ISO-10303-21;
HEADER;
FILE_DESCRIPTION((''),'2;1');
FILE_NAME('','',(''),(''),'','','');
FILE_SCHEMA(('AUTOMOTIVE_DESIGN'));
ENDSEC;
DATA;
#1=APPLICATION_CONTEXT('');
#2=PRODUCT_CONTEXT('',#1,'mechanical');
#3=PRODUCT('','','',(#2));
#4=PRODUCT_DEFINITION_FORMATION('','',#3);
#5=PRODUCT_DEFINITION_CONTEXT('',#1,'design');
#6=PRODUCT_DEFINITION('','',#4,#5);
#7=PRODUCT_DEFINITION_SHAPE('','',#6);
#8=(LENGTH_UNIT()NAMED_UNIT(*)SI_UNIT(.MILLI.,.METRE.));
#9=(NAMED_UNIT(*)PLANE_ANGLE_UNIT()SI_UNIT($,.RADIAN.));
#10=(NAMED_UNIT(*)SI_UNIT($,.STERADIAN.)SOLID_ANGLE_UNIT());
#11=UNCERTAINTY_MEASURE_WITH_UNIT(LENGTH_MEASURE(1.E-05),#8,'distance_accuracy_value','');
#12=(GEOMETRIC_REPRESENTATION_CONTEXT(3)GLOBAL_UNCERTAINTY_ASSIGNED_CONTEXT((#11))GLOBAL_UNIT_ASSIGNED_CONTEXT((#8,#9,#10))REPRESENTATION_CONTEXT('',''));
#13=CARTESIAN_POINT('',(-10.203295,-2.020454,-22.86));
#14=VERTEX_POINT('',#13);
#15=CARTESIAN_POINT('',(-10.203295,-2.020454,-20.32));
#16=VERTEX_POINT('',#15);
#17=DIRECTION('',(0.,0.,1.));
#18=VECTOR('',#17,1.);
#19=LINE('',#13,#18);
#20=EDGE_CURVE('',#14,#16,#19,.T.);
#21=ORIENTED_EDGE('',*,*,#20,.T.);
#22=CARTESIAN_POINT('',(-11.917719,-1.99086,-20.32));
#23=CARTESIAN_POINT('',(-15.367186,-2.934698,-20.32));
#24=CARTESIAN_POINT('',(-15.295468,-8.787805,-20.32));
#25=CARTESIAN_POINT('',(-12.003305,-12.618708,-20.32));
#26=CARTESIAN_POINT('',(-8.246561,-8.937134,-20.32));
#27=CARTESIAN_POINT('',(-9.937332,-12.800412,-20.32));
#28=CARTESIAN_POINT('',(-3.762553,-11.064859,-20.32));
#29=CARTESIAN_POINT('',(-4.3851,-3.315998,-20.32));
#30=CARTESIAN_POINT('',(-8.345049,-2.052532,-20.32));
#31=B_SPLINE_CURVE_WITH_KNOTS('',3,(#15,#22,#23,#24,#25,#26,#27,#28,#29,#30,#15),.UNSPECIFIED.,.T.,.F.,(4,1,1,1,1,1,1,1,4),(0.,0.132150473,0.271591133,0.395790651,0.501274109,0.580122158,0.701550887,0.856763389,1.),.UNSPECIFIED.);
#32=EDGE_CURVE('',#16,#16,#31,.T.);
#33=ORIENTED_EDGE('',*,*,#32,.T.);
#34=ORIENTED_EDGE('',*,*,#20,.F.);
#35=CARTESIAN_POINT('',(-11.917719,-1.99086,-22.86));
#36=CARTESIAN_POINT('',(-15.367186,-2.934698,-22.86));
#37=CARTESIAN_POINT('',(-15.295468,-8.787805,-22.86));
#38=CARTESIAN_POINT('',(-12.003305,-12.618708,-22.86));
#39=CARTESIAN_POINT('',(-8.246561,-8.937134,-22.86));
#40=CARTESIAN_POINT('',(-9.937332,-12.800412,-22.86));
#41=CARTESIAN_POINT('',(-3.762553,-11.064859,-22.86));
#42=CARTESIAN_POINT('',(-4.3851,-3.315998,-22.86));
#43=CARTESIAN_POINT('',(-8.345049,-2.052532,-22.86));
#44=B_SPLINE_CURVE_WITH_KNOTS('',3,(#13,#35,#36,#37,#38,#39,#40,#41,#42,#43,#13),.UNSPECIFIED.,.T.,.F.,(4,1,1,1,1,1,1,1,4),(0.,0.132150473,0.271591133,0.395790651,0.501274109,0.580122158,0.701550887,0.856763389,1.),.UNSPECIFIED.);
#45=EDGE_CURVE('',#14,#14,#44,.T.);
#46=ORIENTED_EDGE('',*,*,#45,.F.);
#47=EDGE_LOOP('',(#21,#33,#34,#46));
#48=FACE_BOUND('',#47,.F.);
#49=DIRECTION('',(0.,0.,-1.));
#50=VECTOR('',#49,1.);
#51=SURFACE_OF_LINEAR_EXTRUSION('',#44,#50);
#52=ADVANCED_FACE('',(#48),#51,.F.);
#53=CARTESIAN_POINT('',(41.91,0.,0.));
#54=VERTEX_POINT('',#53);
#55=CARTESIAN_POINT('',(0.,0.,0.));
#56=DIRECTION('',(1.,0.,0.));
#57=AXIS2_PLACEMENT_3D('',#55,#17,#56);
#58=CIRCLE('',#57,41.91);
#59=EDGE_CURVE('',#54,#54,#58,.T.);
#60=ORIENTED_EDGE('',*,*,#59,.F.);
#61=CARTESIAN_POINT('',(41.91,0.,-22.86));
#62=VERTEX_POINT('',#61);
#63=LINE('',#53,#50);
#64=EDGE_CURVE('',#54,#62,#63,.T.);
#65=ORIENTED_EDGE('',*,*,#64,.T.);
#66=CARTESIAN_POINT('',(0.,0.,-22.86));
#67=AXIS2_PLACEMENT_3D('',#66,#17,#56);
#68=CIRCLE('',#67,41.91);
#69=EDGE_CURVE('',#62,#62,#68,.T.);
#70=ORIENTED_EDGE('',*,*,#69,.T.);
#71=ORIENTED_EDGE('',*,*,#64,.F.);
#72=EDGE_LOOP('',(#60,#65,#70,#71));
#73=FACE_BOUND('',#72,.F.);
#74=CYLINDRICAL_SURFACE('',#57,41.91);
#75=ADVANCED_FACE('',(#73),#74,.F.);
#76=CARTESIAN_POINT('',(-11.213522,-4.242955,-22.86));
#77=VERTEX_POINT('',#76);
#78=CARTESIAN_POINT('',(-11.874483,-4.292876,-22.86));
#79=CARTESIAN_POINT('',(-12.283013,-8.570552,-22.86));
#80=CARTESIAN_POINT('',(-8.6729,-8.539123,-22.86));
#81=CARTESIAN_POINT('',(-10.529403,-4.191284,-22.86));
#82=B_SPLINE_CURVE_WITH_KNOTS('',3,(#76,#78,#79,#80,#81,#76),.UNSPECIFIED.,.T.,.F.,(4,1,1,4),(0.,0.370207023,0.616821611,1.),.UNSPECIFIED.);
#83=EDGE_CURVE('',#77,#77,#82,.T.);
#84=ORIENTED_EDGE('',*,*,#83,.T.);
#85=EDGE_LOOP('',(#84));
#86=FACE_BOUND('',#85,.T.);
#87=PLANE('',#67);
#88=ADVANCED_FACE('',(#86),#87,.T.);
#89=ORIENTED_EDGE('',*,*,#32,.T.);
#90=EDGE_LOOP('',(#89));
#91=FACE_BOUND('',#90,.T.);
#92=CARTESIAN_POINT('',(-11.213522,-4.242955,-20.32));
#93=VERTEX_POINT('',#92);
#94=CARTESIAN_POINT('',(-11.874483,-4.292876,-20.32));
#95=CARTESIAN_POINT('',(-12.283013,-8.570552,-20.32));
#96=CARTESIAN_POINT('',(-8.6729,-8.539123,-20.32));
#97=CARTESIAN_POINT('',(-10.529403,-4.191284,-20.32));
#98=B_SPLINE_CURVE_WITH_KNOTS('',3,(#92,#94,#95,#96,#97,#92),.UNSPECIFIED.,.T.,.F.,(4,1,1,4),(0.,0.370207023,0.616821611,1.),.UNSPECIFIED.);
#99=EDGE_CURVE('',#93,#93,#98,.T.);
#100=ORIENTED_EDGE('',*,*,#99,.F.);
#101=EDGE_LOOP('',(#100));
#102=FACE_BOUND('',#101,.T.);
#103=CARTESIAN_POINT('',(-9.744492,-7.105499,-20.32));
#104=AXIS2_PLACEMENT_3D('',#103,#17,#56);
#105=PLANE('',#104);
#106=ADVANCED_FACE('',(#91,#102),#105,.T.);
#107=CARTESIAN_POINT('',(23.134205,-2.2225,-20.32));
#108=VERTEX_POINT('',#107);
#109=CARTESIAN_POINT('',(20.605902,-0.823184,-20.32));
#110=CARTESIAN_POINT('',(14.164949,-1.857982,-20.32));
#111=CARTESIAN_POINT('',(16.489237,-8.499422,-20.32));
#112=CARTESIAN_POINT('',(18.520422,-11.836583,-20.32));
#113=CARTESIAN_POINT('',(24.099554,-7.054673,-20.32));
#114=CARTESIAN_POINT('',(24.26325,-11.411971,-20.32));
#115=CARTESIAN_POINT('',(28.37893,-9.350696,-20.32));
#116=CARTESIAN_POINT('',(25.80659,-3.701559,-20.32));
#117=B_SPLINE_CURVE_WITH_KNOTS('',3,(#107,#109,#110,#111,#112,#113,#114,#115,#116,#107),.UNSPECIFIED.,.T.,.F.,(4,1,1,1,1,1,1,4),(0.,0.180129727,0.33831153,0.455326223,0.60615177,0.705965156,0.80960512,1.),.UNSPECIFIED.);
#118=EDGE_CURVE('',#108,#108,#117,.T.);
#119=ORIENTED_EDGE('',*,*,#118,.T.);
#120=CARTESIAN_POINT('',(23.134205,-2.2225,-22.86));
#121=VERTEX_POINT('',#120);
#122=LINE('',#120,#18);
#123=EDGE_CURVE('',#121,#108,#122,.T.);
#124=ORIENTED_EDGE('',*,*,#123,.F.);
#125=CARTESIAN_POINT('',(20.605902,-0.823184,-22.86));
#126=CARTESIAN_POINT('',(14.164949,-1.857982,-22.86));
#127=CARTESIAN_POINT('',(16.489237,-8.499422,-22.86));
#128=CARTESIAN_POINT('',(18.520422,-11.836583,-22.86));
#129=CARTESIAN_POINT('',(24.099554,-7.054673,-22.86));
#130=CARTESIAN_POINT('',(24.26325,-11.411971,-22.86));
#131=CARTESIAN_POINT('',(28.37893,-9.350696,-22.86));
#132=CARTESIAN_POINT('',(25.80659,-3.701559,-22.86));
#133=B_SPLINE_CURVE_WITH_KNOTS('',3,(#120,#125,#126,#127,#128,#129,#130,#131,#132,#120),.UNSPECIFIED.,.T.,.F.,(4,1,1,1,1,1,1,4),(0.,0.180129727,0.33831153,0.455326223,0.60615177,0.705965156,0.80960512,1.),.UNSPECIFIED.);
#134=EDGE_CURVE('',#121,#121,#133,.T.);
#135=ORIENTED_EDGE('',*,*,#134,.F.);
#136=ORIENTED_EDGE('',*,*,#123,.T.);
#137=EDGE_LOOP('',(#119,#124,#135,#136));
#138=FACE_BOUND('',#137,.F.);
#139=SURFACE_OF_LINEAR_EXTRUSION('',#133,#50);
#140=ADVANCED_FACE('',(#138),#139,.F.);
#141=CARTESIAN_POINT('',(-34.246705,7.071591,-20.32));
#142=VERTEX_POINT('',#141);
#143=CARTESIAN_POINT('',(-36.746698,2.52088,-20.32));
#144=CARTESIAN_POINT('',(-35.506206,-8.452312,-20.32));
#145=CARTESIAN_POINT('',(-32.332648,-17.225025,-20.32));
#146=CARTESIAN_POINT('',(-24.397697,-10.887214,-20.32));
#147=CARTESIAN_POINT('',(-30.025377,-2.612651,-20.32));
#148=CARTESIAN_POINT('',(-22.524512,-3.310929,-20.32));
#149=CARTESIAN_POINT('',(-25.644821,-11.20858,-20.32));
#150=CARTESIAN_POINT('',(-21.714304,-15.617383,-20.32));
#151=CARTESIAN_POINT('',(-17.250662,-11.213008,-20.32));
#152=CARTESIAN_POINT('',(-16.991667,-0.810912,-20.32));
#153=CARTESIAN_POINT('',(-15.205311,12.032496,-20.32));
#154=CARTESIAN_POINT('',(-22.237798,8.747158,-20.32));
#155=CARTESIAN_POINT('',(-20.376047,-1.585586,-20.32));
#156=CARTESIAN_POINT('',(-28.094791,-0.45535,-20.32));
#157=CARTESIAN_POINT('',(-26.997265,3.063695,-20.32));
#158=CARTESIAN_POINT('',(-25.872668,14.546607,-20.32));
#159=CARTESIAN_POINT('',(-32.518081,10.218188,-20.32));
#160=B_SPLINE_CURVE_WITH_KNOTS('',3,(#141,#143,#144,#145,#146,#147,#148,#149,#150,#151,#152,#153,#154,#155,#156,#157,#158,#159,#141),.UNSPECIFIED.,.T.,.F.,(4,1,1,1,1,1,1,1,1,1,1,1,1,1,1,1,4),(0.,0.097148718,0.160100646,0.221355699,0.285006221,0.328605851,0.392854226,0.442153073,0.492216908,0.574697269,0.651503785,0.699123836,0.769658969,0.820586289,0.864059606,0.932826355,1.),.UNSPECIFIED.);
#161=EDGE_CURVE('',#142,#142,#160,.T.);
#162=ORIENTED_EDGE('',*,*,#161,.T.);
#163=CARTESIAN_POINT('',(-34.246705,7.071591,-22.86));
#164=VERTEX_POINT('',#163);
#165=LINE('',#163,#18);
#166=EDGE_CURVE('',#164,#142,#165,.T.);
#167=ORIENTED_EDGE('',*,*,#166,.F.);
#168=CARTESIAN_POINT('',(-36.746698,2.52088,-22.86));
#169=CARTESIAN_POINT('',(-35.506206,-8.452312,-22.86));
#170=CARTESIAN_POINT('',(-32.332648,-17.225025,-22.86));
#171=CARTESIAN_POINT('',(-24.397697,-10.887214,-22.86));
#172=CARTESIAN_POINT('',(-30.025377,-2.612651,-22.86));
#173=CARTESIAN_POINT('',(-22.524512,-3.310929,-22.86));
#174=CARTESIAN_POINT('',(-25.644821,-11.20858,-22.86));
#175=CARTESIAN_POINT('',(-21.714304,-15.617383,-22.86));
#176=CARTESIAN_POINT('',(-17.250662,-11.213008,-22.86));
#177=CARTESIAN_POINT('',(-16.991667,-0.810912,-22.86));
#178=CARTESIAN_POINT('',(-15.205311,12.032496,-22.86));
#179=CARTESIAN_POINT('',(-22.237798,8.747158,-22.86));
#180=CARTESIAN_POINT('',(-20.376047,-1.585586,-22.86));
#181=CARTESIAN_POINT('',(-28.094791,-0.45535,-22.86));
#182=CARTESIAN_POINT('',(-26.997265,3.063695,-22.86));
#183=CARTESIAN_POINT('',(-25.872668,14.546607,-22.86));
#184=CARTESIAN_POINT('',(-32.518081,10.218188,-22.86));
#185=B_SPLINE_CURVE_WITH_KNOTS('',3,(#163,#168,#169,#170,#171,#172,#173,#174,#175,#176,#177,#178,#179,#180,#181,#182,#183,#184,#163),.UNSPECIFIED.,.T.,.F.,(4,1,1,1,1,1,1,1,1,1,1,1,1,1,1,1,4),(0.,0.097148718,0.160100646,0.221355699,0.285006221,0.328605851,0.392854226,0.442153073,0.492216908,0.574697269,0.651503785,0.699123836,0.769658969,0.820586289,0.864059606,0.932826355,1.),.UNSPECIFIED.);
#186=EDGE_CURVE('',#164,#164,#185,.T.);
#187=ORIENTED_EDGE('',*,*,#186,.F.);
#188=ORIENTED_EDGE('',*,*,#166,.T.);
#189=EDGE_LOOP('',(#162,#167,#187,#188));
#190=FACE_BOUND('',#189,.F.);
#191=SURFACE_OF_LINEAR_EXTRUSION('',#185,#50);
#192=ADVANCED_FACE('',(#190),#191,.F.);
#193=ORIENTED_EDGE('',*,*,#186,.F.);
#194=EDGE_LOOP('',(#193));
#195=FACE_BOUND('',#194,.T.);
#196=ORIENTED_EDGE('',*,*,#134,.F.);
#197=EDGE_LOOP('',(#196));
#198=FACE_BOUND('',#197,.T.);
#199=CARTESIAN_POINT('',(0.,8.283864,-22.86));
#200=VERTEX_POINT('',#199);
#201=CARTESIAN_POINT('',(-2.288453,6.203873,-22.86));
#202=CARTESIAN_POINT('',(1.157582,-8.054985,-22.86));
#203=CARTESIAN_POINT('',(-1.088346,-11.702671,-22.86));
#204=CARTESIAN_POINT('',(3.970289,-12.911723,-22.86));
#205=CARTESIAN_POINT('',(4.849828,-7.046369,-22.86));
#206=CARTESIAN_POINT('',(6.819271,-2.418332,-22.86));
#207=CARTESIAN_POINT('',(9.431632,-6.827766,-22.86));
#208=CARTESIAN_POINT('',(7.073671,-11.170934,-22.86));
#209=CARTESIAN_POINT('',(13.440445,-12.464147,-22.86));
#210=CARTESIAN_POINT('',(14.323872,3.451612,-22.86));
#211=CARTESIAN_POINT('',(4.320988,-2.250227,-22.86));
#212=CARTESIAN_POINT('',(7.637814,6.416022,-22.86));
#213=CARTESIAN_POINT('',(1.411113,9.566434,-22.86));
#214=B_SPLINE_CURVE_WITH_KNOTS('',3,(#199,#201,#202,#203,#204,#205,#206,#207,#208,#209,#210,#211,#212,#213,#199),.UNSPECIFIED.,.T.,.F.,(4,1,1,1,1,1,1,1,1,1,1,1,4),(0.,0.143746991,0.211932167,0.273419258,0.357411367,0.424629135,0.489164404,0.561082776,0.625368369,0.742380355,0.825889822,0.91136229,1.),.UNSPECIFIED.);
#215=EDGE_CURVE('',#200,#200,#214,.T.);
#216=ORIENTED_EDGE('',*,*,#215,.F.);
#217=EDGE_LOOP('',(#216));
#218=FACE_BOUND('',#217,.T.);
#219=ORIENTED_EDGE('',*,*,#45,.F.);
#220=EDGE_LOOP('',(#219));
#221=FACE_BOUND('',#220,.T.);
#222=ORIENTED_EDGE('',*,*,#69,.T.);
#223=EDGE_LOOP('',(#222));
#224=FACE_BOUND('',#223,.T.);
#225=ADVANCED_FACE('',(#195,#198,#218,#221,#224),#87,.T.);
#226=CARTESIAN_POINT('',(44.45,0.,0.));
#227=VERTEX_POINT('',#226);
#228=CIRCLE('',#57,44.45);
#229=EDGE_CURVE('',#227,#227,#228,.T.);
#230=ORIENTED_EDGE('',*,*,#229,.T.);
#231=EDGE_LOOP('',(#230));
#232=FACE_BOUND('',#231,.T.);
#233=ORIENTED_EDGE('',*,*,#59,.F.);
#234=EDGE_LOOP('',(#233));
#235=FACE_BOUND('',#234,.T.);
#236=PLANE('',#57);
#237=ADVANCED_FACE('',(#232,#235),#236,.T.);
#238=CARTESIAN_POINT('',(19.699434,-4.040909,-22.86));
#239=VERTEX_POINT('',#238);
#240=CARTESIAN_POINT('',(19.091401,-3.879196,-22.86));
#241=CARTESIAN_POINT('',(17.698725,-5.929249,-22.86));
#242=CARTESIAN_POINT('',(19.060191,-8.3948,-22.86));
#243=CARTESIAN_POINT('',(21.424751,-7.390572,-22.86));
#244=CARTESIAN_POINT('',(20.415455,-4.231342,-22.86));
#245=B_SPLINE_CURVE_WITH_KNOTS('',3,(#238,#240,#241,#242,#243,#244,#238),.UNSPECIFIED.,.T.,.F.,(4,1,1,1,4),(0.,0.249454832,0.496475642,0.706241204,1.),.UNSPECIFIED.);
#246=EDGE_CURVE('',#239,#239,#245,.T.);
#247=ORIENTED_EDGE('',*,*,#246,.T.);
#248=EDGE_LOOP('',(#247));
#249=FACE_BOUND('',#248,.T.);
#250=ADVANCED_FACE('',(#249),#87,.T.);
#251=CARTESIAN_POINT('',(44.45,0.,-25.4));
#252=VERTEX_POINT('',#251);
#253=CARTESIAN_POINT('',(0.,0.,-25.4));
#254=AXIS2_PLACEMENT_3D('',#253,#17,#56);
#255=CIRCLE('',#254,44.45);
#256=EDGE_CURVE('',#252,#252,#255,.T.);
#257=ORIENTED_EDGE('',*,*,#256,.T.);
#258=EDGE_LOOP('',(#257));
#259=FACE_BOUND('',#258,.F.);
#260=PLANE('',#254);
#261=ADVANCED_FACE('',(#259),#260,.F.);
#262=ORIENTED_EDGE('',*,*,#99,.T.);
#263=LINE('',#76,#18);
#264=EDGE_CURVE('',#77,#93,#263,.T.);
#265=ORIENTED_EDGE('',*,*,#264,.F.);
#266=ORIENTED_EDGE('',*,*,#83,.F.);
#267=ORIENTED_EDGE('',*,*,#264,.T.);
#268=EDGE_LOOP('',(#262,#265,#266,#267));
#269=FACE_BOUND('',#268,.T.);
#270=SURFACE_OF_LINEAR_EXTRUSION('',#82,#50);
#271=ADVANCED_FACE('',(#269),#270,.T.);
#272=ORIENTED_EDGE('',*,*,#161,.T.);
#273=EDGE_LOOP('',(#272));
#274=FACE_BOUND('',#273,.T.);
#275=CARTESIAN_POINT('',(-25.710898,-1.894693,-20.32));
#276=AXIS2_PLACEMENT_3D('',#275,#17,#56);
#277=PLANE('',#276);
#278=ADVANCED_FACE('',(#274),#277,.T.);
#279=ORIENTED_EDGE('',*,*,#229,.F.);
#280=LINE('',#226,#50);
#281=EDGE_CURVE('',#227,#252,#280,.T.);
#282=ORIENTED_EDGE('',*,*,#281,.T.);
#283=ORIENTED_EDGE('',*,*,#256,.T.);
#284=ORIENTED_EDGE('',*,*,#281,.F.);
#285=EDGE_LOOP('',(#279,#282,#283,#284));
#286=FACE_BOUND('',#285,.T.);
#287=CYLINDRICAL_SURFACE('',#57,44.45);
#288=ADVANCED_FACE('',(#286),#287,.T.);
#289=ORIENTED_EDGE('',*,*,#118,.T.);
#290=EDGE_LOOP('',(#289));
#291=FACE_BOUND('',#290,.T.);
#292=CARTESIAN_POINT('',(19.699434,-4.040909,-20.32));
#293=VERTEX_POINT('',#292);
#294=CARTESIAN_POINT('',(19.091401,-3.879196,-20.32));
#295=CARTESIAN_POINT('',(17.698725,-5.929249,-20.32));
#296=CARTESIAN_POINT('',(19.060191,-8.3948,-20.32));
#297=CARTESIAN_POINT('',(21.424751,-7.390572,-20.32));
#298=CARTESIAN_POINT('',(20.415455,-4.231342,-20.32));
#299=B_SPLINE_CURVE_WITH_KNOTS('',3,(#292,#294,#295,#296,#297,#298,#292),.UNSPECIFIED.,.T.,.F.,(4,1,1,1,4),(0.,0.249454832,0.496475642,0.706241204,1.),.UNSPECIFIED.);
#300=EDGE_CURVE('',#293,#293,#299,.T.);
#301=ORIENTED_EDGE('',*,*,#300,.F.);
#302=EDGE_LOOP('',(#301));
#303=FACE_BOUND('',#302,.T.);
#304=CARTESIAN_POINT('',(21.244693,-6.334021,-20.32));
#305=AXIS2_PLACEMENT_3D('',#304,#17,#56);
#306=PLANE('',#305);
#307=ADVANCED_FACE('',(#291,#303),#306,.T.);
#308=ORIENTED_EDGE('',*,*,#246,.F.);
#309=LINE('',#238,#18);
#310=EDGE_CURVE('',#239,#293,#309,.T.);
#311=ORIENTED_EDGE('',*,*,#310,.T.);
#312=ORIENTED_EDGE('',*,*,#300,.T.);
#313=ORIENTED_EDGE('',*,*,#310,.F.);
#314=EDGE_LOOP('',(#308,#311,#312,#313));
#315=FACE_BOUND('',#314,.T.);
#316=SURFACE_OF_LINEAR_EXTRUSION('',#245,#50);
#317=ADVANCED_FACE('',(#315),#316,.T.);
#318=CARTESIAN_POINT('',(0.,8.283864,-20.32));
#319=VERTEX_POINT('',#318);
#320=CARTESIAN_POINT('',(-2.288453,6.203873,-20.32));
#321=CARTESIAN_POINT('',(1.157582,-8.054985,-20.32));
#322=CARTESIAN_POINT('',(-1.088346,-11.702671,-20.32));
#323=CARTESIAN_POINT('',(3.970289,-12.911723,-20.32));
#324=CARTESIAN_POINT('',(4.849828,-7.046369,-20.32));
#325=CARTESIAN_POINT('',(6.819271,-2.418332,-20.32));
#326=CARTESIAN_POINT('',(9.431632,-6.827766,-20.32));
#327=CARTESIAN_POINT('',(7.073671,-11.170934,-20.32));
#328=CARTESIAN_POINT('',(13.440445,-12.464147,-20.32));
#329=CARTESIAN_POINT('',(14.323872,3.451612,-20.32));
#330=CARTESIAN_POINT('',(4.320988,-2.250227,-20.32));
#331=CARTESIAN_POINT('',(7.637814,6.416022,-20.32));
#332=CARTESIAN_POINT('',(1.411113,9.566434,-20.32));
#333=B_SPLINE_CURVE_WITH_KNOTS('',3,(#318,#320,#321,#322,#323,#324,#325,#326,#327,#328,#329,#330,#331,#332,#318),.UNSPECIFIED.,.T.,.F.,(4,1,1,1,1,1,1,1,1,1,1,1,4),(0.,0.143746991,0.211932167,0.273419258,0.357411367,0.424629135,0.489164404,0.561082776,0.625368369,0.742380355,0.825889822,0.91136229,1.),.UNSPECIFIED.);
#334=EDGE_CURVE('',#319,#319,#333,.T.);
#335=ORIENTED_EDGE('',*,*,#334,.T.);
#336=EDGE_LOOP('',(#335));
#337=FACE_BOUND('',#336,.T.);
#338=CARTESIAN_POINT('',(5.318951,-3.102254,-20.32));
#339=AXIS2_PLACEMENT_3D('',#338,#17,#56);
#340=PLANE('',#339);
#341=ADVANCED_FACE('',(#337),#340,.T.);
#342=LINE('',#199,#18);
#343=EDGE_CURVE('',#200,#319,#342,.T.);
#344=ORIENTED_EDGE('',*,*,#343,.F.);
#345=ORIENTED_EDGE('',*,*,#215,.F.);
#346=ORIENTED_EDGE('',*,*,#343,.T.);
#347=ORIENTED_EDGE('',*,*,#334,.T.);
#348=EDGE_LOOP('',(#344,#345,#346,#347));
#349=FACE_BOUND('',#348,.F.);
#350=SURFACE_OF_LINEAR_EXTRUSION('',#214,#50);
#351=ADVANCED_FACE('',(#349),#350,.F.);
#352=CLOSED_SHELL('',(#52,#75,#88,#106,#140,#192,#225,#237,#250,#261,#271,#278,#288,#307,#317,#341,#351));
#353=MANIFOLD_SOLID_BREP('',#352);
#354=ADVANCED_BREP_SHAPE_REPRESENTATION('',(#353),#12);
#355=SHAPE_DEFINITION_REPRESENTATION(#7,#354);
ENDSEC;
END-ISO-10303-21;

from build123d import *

# Parameters (mm, degrees)
F0_R     = 44.45
F1_DEPTH = 25.4
F2_T     = -2.54
F4_DEPTH = 2.54


with BuildPart() as f1:
    # F0 (on Top) → F1 (new body)
    with BuildSketch(Plane.XY):
        Circle(F0_R)
    extrude(amount=-F1_DEPTH)

    # F2
    f2_openings = [f1.faces().sort_by_distance(p)[0] for p in [
        (0, 0, 0),
    ]]
    offset(amount=F2_T, openings=f2_openings)

    # F3 (on face) → F4 (join)
    with BuildSketch(Plane.XY.offset(-22.86)):
        with BuildLine():
            add(Edge.make_bspline(
                [(-34.2467054725, 7.0715909824), (-36.7466979125, 2.5208801085), (-35.5062058755, -8.4523124017), (-32.3326478729, -17.225025316), (-24.3976970475, -10.8872143145), (-30.0253767895, -2.6126511838), (-22.5245116323, -3.310928712), (-25.6448214909, -11.2085803692), (-21.7143037733, -15.6173833965), (-17.2506619578, -11.2130081991), (-16.9916671822, -0.8109118127), (-15.2053107938, 12.0324956866), (-22.237798004, 8.7471580061), (-20.3760474746, -1.5855855024), (-28.094791199, -0.4553499539), (-26.9972647665, 3.0636949374), (-25.8726684669, 14.5466070491), (-32.5180814702, 10.2181877153), (-34.2467054725, 7.0715909824)],
                knots=[0, 0, 0, 0, 0.097148718, 0.1601006462, 0.221355699, 0.2850062209, 0.3286058509, 0.3928542258, 0.4421530725, 0.4922169077, 0.5746972685, 0.6515037846, 0.6991238356, 0.7696589688, 0.8205862886, 0.8640596057, 0.9328263546, 1, 1, 1, 1], degree=3))
        make_face()
        with BuildLine():
            add(Edge.make_bspline(
                [(-10.2032953873, -2.0204544999), (-11.917718799, -1.9908597019), (-15.3671861237, -2.9346980561), (-15.2954679706, -8.7878052696), (-12.003304615, -12.6187077497), (-8.2465608463, -8.9371343775), (-9.9373322435, -12.8004121046), (-3.7625525613, -11.0648585974), (-4.3850998349, -3.3159976142), (-8.345048542, -2.0525320132), (-10.2032953873, -2.0204544999)],
                knots=[0, 0, 0, 0, 0.1321504728, 0.2715911334, 0.3957906506, 0.5012741091, 0.580122158, 0.7015508871, 0.856763389, 1, 1, 1, 1], degree=3))
        make_face()
        with BuildLine():
            add(Edge.make_bspline(
                [(-11.2135224044, -4.2429547757), (-11.8744831481, -4.2928762708), (-12.2830132201, -8.5705519899), (-8.6729001911, -8.5391226921), (-10.5294028244, -4.1912841241), (-11.2135224044, -4.2429547757)],
                knots=[0, 0, 0, 0, 0.3702070227, 0.6168216111, 1, 1, 1, 1], degree=3))
        make_face(mode=Mode.SUBTRACT)
        with BuildLine():
            add(Edge.make_bspline(
                [(0, 8.2838637754), (-2.2884528778, 6.2038728165), (1.1575823398, -8.0549851129), (-1.0883461981, -11.702671366), (3.9702887646, -12.9117233253), (4.8498278073, -7.0463693116), (6.8192709827, -2.4183322799), (9.4316317825, -6.8277660603), (7.0736705518, -11.1709342173), (13.440445183, -12.464147326), (14.3238724955, 3.4516118982), (4.320988494, -2.2502266905), (7.6378137148, 6.4160222098), (1.4111128223, 9.5664341709), (0, 8.2838637754)],
                knots=[0, 0, 0, 0, 0.1437469909, 0.2119321675, 0.2734192578, 0.3574113668, 0.4246291352, 0.4891644041, 0.5610827757, 0.6253683695, 0.7423803547, 0.8258898215, 0.9113622902, 1, 1, 1, 1], degree=3))
        make_face()
        with BuildLine():
            add(Edge.make_bspline(
                [(23.1342054904, -2.222500043), (20.6059023388, -0.8231844591), (14.1649490293, -1.8579816843), (16.4892365948, -8.4994216989), (18.5204217897, -11.8365832739), (24.0995541278, -7.0546727697), (24.2632501663, -11.4119708302), (28.3789299697, -9.3506959903), (25.8065904743, -3.7015592103), (23.1342054904, -2.222500043)],
                knots=[0, 0, 0, 0, 0.1801297265, 0.3383115304, 0.4553262233, 0.6061517703, 0.7059651562, 0.8096051195, 1, 1, 1, 1], degree=3))
        make_face()
        with BuildLine():
            add(Edge.make_bspline(
                [(19.6994338185, -4.0409089997), (19.091401387, -3.8791963487), (17.6987252395, -5.9292492728), (19.0601907672, -8.3947995816), (21.4247512037, -7.3905723429), (20.4154547235, -4.2313423266), (19.6994338185, -4.0409089997)],
                knots=[0, 0, 0, 0, 0.2494548323, 0.4964756416, 0.7062412043, 1, 1, 1, 1], degree=3))
        make_face(mode=Mode.SUBTRACT)
    extrude(amount=F4_DEPTH)


solid = f1.part
